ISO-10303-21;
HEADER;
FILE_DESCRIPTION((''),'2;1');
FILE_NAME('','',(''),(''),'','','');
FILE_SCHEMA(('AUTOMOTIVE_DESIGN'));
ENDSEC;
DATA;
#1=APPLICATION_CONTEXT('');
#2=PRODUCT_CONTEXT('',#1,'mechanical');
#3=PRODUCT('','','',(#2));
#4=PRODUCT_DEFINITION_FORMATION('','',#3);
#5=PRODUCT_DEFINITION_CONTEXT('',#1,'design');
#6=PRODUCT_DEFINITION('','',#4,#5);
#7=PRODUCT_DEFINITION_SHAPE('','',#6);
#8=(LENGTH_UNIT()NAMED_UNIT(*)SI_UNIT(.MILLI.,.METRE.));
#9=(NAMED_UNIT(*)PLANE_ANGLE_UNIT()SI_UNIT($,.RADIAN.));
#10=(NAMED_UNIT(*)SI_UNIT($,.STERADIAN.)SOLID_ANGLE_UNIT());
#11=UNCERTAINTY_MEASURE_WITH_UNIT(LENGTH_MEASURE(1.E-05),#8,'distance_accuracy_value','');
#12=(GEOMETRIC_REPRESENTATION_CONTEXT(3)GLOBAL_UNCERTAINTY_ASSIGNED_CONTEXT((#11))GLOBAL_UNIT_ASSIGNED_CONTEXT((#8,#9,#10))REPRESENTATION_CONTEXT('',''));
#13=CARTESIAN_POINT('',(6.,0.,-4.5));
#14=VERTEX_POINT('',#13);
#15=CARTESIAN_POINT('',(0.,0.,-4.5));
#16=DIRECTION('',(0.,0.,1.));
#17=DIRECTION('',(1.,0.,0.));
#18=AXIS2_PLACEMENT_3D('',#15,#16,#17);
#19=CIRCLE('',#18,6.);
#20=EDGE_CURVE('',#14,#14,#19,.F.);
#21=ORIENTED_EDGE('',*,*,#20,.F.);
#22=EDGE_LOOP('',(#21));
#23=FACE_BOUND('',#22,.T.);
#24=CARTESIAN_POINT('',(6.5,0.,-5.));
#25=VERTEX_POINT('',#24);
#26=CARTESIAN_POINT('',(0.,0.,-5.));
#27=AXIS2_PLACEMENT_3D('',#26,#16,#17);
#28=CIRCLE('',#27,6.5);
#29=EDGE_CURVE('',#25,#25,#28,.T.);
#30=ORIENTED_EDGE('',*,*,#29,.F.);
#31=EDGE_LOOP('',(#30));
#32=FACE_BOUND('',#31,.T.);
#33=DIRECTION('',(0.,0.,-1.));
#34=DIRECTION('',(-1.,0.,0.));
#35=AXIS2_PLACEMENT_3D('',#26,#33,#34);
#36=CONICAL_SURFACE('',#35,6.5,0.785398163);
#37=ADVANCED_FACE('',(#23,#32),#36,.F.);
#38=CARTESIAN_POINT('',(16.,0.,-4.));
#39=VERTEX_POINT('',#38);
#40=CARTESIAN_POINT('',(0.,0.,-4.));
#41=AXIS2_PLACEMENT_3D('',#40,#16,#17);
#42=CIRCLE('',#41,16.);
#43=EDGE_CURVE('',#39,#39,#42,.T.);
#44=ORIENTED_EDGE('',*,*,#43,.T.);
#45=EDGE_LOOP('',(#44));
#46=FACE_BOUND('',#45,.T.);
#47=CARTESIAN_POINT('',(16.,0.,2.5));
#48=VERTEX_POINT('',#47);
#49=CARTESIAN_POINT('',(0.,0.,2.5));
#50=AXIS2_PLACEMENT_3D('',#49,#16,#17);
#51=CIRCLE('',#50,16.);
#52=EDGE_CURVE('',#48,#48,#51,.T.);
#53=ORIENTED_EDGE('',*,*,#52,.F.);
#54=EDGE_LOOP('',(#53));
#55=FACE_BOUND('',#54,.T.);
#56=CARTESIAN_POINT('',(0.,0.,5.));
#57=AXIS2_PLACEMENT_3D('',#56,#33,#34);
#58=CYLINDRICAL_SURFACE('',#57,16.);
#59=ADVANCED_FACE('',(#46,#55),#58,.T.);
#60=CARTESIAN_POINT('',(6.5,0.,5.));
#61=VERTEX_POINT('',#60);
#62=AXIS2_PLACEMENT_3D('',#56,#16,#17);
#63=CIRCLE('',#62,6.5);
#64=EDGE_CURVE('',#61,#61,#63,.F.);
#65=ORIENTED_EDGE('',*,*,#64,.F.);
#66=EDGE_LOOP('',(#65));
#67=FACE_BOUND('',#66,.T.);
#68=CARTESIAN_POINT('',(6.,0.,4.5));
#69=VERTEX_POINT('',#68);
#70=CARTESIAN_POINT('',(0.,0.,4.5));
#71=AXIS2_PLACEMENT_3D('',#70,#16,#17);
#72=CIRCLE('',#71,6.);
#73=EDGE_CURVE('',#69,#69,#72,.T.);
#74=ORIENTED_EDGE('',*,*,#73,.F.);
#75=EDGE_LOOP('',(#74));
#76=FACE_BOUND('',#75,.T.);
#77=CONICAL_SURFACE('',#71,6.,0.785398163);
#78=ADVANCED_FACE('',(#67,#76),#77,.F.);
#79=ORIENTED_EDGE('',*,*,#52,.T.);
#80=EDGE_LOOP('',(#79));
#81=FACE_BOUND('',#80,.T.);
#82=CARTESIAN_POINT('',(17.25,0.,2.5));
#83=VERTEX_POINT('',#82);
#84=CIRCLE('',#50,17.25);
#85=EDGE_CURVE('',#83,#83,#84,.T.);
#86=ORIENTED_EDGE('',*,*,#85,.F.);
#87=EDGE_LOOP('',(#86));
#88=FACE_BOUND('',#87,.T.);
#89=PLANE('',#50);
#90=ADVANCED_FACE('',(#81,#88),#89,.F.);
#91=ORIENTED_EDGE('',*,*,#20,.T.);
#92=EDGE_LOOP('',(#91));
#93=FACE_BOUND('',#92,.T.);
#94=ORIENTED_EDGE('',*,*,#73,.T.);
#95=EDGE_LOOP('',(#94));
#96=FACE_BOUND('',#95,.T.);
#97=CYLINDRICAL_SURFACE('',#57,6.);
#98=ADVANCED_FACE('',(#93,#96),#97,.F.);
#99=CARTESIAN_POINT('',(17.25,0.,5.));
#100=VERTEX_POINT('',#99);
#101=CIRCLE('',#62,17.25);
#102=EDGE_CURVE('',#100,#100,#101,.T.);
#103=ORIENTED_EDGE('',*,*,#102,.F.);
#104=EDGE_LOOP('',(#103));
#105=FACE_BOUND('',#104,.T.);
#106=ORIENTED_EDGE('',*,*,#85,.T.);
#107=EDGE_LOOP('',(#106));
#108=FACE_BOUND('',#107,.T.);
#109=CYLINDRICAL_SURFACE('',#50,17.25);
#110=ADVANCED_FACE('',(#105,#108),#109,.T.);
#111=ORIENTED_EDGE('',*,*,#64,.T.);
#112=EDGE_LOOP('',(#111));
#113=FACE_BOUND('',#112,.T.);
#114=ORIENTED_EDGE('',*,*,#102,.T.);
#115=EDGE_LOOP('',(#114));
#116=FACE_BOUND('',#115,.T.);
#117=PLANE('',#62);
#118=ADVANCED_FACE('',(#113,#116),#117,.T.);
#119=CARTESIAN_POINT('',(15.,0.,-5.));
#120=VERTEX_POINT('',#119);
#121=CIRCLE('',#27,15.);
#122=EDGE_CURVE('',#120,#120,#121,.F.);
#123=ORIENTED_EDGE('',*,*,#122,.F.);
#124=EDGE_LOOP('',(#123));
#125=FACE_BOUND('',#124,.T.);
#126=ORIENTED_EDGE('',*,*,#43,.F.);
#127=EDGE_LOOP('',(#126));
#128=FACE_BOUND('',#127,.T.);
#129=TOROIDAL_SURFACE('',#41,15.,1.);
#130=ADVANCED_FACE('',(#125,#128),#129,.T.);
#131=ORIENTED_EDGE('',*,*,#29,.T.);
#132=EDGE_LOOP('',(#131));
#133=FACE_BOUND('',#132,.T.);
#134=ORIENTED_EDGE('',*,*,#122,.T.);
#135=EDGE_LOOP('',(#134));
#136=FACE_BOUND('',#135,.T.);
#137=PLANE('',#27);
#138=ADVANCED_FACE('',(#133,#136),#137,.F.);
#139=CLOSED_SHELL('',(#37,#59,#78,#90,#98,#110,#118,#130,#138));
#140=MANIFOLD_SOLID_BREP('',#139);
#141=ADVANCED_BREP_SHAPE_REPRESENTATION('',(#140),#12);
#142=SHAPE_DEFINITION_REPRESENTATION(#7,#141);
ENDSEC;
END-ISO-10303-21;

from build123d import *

# Parameters (mm, degrees)
SKETCH_1_R      = 16
SKETCH_1_R_2    = 6
EXTRUDE_1_DEPTH = 5
SKETCH_2_R      = 17.25
SKETCH_2_R_2    = 16
EXTRUDE_2_DEPTH = 2.5
CHAMFER_1_SIZE  = 0.5
FILLET_1_R      = 1


with BuildPart() as part:
    # 草图1 → 凸台-拉伸1 (new, symmetric)
    with BuildSketch(Plane.XY):
        Circle(SKETCH_1_R)
        Circle(SKETCH_1_R_2, mode=Mode.SUBTRACT)
    extrude(amount=EXTRUDE_1_DEPTH, both=True)

    # 草图2 → 凸台-拉伸2 (add)
    with BuildSketch(Plane.XY.offset(5)):
        Circle(SKETCH_2_R)
        Circle(SKETCH_2_R_2, mode=Mode.SUBTRACT)
    extrude(amount=-EXTRUDE_2_DEPTH)

    # 倒角1
    chamfer_1_edges = [part.edges().sort_by_distance(p)[0] for p in [
        (-6, 0, -5),
        (-6, 0, 5),
    ]]
    chamfer(chamfer_1_edges, length=CHAMFER_1_SIZE)

    # 圆角1
    fillet_1_edges = [part.edges().sort_by_distance(p)[0] for p in [
        (-16, 0, -5),
    ]]
    fillet(fillet_1_edges, radius=FILLET_1_R)


solid = part.part
